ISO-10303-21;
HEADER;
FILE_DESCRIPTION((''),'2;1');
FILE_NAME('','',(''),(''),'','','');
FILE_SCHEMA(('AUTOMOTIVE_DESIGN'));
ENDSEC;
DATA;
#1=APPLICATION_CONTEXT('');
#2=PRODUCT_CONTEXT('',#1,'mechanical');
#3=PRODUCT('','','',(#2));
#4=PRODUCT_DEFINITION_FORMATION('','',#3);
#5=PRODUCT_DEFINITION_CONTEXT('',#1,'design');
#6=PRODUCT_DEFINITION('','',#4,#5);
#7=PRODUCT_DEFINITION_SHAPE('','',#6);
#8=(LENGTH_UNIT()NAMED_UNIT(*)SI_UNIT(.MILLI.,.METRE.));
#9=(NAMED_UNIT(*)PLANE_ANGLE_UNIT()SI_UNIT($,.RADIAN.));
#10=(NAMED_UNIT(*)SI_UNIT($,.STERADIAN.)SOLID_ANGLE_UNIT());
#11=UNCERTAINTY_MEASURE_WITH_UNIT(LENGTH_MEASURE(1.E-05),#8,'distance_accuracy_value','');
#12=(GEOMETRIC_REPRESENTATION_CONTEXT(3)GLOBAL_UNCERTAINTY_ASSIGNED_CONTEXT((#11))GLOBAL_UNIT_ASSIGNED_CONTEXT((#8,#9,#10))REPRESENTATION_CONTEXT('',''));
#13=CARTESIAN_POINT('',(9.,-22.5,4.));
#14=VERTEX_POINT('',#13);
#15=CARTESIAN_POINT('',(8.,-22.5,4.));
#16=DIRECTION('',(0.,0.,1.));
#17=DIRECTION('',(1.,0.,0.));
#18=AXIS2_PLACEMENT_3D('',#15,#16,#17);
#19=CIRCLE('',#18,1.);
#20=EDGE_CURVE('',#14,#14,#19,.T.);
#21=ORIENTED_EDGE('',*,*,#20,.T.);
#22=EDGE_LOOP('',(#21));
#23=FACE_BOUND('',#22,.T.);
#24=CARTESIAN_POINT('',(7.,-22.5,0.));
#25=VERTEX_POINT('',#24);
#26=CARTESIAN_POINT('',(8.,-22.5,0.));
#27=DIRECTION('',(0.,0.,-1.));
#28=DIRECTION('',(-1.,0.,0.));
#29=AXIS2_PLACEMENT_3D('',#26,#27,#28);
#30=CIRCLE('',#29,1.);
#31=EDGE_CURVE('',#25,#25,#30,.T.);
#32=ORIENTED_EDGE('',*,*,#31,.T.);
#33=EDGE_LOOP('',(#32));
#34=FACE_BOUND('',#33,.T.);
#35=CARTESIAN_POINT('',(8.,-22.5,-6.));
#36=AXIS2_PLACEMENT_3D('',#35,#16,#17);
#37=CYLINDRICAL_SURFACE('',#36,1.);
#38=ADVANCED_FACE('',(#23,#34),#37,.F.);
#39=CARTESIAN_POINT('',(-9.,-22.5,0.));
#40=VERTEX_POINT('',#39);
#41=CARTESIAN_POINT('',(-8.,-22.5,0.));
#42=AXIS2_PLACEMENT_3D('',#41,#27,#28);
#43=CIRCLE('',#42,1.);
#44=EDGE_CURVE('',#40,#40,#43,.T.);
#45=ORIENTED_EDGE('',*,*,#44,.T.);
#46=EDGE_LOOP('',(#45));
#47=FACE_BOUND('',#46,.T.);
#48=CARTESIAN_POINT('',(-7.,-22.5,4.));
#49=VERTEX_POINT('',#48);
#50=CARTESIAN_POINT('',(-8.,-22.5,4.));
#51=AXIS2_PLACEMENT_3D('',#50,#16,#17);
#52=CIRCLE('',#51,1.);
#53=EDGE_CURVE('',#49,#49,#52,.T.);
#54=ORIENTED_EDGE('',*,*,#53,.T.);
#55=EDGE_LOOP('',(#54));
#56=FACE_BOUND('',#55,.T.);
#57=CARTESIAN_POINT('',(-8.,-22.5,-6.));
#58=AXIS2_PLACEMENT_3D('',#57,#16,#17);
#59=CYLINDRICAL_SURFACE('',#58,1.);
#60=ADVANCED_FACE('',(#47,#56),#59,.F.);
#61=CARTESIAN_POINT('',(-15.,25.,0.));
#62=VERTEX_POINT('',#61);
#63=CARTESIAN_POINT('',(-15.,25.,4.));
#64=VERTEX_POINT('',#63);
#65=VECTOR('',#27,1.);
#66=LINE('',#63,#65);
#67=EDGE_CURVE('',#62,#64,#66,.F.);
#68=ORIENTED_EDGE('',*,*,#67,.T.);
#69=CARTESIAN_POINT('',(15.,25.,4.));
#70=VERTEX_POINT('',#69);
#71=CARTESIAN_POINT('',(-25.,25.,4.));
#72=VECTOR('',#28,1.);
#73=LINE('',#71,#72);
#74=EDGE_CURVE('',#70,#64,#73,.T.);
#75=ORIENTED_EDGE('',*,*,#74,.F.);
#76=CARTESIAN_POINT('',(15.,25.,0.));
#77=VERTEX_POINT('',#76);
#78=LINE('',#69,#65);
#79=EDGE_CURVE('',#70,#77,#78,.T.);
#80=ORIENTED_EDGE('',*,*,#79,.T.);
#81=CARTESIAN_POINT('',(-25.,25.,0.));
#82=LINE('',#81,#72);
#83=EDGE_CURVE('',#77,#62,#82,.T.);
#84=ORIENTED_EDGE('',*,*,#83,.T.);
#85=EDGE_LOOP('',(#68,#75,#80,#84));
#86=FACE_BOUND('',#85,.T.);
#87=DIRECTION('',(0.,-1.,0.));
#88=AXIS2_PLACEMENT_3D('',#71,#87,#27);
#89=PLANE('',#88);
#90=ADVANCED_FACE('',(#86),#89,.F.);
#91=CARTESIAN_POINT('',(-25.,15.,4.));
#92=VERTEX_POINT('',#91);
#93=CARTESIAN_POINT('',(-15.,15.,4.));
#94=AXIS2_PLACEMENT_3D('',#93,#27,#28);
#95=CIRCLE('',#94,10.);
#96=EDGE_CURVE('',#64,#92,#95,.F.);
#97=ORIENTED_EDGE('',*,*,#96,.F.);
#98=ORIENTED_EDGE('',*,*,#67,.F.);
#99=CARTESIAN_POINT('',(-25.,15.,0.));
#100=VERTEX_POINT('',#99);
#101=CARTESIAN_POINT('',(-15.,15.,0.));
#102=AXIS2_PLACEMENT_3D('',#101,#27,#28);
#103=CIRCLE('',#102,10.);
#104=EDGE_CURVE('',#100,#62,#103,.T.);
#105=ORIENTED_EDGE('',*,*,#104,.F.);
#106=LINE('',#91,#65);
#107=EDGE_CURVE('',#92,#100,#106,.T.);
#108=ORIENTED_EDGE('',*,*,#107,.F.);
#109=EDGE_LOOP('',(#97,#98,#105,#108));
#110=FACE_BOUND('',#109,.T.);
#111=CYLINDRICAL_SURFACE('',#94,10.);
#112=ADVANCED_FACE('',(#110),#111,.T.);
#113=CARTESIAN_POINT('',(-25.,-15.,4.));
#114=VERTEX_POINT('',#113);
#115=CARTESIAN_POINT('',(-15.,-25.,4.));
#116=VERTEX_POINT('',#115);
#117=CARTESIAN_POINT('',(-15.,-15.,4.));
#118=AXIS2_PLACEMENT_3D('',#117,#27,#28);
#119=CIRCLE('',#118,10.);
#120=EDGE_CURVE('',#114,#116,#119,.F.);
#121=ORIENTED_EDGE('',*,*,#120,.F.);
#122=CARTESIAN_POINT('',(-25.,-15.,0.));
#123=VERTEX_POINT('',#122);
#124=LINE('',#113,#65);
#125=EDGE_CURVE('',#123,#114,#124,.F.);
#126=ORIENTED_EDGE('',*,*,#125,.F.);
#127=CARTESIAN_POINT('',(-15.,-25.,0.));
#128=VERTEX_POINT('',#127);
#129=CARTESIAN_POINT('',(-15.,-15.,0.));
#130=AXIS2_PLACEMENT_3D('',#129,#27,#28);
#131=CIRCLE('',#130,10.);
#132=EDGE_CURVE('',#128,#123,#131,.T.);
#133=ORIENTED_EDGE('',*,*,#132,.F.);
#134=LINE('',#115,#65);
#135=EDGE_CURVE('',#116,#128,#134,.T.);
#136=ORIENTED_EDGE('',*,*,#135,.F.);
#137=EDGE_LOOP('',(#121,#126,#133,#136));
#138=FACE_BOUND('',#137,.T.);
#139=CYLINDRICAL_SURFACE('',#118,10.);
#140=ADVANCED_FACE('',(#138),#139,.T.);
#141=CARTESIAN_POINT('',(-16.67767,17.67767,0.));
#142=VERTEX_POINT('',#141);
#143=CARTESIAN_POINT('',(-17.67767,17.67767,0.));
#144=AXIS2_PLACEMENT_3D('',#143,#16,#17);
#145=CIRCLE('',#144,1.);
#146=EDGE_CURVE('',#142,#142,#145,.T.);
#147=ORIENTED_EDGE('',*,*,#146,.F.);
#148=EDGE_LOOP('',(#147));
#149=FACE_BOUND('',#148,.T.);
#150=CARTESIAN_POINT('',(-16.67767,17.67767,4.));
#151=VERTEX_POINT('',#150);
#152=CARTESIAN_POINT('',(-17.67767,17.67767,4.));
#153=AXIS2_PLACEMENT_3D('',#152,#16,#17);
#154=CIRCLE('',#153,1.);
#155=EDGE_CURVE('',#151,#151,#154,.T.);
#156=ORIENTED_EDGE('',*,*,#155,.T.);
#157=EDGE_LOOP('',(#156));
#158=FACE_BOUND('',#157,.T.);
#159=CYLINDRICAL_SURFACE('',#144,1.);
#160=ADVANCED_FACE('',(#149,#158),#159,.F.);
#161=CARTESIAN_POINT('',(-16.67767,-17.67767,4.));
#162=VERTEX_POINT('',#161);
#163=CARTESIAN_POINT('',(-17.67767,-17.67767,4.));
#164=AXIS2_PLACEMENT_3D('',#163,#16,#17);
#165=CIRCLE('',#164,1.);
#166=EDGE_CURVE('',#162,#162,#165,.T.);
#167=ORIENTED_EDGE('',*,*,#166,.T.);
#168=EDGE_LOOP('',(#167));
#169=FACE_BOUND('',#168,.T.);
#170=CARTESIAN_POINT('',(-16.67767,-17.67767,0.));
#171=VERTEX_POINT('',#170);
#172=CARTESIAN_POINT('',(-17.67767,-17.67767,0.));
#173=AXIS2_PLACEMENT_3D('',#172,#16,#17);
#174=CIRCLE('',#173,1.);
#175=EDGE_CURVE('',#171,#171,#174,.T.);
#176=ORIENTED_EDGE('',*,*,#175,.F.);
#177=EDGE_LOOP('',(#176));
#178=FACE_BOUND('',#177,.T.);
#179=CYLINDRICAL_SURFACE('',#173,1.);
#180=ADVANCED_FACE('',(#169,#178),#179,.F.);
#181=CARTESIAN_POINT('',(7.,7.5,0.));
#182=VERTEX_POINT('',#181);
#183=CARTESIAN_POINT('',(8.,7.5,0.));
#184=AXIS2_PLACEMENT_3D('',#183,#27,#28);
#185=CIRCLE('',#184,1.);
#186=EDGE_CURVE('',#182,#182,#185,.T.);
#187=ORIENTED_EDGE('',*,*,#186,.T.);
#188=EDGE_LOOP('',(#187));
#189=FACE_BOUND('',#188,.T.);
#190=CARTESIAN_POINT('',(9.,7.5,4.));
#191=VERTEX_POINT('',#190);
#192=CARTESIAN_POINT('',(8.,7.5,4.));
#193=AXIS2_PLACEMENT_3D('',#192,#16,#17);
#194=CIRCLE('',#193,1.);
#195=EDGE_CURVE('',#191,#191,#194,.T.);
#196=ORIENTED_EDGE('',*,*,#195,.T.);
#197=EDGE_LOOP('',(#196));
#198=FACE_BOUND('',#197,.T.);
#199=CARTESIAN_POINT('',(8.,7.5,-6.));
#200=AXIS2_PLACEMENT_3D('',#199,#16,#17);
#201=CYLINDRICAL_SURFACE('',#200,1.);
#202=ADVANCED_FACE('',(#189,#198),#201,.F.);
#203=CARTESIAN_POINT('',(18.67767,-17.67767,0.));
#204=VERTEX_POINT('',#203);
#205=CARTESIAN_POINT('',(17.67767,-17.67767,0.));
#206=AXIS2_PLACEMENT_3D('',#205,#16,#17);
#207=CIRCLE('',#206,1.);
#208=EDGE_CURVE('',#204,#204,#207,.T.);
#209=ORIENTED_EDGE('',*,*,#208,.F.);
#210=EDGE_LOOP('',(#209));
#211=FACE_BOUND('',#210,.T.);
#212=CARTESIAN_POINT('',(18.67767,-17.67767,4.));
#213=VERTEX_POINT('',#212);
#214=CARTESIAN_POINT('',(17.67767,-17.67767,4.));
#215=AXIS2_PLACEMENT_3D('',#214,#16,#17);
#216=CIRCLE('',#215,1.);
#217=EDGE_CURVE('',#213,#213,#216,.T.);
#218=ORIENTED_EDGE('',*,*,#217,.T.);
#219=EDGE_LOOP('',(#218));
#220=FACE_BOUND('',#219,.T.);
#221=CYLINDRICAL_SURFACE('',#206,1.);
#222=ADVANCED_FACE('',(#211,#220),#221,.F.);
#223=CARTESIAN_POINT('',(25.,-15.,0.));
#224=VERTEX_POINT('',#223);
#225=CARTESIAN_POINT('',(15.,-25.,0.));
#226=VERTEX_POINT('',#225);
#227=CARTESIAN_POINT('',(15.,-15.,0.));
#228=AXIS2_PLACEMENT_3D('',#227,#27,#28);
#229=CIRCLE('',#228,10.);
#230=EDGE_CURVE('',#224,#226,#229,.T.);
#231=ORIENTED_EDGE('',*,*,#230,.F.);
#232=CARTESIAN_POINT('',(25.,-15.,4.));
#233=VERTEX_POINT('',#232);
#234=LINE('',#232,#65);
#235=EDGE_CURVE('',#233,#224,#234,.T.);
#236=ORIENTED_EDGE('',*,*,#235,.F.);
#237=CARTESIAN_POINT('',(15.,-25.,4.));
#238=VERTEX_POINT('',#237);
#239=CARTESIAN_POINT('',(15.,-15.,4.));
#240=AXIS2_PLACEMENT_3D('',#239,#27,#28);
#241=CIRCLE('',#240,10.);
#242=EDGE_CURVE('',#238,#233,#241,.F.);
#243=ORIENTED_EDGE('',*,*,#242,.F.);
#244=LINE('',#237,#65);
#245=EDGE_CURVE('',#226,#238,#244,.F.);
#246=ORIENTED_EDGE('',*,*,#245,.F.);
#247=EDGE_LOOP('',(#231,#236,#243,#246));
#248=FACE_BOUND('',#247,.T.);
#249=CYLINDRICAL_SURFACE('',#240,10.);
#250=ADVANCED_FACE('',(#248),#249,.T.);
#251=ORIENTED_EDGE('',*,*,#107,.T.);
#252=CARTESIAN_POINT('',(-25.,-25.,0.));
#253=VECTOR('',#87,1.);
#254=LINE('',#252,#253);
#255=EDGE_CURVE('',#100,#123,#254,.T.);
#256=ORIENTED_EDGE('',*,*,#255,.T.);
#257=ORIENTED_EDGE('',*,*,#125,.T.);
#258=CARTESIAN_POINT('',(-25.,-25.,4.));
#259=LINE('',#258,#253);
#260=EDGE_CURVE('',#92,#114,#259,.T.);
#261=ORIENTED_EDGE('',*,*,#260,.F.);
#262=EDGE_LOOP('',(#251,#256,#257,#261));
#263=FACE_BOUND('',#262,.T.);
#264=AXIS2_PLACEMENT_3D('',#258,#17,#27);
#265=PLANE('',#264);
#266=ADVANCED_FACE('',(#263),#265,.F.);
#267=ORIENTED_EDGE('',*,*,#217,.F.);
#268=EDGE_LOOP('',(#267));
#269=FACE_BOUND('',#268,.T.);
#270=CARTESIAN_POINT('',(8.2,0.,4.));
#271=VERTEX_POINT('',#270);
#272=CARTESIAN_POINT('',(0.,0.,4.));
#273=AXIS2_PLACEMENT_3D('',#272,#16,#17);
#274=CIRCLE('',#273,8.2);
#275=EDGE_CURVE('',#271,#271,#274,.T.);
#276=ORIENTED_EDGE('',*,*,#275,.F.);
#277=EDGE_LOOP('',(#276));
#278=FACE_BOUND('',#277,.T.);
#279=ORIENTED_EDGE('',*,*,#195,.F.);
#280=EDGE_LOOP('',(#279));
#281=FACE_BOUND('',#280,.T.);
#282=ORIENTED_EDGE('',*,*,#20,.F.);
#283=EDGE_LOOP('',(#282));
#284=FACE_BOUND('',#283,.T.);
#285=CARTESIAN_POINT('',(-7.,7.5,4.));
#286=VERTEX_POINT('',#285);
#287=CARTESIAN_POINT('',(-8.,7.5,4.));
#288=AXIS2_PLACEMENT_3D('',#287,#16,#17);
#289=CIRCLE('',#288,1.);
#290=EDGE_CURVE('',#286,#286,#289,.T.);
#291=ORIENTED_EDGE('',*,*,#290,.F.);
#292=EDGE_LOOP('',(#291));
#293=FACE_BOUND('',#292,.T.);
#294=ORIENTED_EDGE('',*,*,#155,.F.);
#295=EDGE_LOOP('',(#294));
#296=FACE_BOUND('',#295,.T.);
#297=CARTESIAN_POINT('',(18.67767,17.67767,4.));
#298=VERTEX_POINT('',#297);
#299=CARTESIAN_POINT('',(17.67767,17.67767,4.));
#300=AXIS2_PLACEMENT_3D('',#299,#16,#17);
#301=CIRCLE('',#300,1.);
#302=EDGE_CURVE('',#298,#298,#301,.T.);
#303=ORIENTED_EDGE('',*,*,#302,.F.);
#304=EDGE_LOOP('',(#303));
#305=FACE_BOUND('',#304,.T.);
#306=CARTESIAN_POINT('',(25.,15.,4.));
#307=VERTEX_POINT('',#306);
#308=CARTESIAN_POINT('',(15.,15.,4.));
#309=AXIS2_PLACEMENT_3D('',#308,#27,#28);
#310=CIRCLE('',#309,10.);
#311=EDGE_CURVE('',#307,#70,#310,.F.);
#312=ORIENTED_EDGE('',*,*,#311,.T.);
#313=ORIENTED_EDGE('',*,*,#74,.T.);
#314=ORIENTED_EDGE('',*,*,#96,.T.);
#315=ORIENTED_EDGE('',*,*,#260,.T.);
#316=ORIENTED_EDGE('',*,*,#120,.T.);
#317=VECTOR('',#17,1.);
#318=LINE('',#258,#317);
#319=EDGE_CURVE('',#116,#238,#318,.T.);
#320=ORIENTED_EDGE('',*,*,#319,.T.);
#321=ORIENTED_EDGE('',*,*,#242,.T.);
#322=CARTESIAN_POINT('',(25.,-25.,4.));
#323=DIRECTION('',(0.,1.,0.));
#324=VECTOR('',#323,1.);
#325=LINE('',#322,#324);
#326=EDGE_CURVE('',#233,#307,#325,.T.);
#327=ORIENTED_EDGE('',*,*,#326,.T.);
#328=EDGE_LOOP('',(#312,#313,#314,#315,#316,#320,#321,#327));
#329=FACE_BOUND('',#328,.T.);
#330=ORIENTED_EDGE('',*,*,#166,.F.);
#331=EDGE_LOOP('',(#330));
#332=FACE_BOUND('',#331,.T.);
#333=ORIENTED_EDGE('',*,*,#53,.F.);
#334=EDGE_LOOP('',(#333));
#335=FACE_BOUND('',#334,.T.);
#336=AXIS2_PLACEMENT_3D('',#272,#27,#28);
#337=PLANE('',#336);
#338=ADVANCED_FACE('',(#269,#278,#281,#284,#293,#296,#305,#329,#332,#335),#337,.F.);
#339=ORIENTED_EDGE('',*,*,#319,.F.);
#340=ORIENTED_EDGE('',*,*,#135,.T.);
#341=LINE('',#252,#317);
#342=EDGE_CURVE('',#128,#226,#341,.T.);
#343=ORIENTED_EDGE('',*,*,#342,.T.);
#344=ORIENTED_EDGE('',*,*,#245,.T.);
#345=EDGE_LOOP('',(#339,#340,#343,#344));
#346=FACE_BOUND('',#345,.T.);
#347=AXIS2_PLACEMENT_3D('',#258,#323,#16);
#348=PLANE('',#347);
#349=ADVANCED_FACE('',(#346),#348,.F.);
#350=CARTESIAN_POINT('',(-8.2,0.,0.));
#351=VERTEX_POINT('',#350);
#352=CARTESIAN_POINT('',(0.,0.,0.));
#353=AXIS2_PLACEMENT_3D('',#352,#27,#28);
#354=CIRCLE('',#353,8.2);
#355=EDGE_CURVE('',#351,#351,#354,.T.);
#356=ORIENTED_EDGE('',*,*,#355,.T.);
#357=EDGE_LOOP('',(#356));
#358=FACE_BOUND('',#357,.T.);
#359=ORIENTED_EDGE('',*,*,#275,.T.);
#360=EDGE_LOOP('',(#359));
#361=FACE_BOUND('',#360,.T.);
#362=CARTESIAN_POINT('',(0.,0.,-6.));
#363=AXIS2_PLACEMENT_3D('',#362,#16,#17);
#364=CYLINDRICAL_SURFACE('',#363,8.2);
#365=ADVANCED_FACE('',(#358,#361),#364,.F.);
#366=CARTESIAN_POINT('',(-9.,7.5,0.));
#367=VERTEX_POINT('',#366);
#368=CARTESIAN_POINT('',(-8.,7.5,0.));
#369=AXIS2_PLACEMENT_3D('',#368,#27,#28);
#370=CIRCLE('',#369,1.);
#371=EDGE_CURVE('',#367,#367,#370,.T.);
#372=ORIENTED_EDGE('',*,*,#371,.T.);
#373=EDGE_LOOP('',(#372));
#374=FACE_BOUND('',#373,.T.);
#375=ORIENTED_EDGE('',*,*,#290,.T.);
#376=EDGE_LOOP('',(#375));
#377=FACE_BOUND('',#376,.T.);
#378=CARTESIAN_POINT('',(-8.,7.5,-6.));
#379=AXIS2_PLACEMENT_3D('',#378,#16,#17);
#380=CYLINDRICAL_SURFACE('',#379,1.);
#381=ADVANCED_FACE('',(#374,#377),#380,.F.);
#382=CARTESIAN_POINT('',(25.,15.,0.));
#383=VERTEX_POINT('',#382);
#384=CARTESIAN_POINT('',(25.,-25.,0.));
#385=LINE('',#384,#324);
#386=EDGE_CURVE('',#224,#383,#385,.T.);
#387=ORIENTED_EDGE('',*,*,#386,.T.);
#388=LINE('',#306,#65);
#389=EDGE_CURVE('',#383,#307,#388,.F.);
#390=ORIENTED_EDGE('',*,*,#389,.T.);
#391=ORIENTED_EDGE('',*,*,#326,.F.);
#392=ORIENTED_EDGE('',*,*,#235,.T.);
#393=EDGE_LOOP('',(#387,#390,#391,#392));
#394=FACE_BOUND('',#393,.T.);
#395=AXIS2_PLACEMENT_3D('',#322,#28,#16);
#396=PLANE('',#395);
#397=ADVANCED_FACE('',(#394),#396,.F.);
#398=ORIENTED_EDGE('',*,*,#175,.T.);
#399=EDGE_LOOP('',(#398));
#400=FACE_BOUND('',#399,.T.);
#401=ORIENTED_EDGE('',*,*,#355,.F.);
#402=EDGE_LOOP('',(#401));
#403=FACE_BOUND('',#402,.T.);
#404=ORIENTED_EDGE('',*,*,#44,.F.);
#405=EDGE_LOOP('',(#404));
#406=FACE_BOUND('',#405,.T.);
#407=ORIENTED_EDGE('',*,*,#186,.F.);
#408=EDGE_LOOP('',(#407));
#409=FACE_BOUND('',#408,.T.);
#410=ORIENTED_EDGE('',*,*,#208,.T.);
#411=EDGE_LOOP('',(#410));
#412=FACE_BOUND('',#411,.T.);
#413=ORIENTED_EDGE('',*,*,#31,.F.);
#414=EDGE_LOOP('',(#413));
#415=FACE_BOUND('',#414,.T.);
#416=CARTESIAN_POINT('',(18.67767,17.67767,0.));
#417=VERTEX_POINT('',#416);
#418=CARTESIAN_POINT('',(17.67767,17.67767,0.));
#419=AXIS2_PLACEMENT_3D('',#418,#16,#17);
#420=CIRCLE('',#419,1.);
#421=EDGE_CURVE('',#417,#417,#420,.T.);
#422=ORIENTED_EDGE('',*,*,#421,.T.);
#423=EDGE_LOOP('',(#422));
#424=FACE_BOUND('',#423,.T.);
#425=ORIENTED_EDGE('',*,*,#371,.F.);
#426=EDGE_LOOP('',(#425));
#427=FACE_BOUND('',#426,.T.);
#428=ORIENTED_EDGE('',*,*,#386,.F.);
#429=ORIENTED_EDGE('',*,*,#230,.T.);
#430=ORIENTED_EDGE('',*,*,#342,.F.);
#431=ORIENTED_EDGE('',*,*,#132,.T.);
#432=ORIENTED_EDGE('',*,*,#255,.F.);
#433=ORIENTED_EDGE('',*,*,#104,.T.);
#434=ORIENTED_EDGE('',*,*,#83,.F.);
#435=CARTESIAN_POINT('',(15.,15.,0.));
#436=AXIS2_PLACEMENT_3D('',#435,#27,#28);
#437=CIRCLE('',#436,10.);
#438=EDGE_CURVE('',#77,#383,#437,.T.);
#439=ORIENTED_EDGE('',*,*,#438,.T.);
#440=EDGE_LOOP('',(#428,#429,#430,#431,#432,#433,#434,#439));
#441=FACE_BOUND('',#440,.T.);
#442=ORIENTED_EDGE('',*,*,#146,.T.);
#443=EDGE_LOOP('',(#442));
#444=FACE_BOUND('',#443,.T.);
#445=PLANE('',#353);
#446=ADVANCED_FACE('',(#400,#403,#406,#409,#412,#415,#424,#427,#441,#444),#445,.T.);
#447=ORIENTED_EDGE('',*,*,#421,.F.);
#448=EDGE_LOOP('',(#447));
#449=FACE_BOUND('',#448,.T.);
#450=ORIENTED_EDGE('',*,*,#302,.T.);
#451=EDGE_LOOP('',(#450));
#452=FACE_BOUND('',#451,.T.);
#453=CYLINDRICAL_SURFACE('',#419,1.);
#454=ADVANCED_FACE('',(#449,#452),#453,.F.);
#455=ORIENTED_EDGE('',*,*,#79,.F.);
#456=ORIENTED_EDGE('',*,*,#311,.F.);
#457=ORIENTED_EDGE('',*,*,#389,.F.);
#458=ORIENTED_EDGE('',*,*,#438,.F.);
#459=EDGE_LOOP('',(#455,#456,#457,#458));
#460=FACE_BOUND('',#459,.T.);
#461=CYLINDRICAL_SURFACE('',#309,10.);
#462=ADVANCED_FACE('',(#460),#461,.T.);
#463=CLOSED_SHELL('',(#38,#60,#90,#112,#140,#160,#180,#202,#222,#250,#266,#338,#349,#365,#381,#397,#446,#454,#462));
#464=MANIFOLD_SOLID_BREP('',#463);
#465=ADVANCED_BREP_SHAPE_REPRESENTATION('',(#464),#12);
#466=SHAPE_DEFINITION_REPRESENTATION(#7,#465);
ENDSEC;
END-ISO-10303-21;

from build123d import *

# Parameters (mm, degrees)
SKETCH1_W           = 50
SKETCH1_H           = 50
BOSS_EXTRUDE1_DEPTH = 4
SKETCH2_R           = 8.2
SKETCH2_R_2         = 1
CUT_EXTRUDE1_DEPTH  = 10
SKETCH3_R           = 1
CUT_EXTRUDE2_DEPTH  = 4
FILLET1_R           = 10


with BuildPart() as part:
    # Sketch1 → Boss-Extrude1 (new body)
    with BuildSketch(Plane.XY):
        Rectangle(SKETCH1_W, SKETCH1_H)
    extrude(amount=BOSS_EXTRUDE1_DEPTH)

    # Sketch2 → Cut-Extrude1 (cut)
    with BuildSketch(Plane.XY.offset(4)):
        Circle(SKETCH2_R)
        with Locations((-8, 7.5)):
            Circle(SKETCH2_R_2)
        with Locations((8, 7.5)):
            Circle(SKETCH2_R_2)
        with Locations((-8, -22.5)):
            Circle(SKETCH2_R_2)
        with Locations((8, -22.5)):
            Circle(SKETCH2_R_2)
    extrude(amount=-CUT_EXTRUDE1_DEPTH, mode=Mode.SUBTRACT)

    # Sketch3 → Cut-Extrude2 (cut)
    with BuildSketch(Plane.XY.offset(4)):
        with Locations((-17.67766953, 17.67766953)):
            Circle(SKETCH3_R)
        with Locations((17.67766953, 17.67766953)):
            Circle(SKETCH3_R)
        with Locations((17.67766953, -17.67766953)):
            Circle(SKETCH3_R)
        with Locations((-17.67766953, -17.67766953)):
            Circle(SKETCH3_R)
    extrude(amount=-CUT_EXTRUDE2_DEPTH, mode=Mode.SUBTRACT)

    # Fillet1
    fillet1_edges = [part.edges().sort_by_distance(p)[0] for p in [
        (25, -25, 2),
        (-25, -25, 2),
        (-25, 25, 2),
        (25, 25, 2),
    ]]
    fillet(fillet1_edges, radius=FILLET1_R)


solid = part.part
